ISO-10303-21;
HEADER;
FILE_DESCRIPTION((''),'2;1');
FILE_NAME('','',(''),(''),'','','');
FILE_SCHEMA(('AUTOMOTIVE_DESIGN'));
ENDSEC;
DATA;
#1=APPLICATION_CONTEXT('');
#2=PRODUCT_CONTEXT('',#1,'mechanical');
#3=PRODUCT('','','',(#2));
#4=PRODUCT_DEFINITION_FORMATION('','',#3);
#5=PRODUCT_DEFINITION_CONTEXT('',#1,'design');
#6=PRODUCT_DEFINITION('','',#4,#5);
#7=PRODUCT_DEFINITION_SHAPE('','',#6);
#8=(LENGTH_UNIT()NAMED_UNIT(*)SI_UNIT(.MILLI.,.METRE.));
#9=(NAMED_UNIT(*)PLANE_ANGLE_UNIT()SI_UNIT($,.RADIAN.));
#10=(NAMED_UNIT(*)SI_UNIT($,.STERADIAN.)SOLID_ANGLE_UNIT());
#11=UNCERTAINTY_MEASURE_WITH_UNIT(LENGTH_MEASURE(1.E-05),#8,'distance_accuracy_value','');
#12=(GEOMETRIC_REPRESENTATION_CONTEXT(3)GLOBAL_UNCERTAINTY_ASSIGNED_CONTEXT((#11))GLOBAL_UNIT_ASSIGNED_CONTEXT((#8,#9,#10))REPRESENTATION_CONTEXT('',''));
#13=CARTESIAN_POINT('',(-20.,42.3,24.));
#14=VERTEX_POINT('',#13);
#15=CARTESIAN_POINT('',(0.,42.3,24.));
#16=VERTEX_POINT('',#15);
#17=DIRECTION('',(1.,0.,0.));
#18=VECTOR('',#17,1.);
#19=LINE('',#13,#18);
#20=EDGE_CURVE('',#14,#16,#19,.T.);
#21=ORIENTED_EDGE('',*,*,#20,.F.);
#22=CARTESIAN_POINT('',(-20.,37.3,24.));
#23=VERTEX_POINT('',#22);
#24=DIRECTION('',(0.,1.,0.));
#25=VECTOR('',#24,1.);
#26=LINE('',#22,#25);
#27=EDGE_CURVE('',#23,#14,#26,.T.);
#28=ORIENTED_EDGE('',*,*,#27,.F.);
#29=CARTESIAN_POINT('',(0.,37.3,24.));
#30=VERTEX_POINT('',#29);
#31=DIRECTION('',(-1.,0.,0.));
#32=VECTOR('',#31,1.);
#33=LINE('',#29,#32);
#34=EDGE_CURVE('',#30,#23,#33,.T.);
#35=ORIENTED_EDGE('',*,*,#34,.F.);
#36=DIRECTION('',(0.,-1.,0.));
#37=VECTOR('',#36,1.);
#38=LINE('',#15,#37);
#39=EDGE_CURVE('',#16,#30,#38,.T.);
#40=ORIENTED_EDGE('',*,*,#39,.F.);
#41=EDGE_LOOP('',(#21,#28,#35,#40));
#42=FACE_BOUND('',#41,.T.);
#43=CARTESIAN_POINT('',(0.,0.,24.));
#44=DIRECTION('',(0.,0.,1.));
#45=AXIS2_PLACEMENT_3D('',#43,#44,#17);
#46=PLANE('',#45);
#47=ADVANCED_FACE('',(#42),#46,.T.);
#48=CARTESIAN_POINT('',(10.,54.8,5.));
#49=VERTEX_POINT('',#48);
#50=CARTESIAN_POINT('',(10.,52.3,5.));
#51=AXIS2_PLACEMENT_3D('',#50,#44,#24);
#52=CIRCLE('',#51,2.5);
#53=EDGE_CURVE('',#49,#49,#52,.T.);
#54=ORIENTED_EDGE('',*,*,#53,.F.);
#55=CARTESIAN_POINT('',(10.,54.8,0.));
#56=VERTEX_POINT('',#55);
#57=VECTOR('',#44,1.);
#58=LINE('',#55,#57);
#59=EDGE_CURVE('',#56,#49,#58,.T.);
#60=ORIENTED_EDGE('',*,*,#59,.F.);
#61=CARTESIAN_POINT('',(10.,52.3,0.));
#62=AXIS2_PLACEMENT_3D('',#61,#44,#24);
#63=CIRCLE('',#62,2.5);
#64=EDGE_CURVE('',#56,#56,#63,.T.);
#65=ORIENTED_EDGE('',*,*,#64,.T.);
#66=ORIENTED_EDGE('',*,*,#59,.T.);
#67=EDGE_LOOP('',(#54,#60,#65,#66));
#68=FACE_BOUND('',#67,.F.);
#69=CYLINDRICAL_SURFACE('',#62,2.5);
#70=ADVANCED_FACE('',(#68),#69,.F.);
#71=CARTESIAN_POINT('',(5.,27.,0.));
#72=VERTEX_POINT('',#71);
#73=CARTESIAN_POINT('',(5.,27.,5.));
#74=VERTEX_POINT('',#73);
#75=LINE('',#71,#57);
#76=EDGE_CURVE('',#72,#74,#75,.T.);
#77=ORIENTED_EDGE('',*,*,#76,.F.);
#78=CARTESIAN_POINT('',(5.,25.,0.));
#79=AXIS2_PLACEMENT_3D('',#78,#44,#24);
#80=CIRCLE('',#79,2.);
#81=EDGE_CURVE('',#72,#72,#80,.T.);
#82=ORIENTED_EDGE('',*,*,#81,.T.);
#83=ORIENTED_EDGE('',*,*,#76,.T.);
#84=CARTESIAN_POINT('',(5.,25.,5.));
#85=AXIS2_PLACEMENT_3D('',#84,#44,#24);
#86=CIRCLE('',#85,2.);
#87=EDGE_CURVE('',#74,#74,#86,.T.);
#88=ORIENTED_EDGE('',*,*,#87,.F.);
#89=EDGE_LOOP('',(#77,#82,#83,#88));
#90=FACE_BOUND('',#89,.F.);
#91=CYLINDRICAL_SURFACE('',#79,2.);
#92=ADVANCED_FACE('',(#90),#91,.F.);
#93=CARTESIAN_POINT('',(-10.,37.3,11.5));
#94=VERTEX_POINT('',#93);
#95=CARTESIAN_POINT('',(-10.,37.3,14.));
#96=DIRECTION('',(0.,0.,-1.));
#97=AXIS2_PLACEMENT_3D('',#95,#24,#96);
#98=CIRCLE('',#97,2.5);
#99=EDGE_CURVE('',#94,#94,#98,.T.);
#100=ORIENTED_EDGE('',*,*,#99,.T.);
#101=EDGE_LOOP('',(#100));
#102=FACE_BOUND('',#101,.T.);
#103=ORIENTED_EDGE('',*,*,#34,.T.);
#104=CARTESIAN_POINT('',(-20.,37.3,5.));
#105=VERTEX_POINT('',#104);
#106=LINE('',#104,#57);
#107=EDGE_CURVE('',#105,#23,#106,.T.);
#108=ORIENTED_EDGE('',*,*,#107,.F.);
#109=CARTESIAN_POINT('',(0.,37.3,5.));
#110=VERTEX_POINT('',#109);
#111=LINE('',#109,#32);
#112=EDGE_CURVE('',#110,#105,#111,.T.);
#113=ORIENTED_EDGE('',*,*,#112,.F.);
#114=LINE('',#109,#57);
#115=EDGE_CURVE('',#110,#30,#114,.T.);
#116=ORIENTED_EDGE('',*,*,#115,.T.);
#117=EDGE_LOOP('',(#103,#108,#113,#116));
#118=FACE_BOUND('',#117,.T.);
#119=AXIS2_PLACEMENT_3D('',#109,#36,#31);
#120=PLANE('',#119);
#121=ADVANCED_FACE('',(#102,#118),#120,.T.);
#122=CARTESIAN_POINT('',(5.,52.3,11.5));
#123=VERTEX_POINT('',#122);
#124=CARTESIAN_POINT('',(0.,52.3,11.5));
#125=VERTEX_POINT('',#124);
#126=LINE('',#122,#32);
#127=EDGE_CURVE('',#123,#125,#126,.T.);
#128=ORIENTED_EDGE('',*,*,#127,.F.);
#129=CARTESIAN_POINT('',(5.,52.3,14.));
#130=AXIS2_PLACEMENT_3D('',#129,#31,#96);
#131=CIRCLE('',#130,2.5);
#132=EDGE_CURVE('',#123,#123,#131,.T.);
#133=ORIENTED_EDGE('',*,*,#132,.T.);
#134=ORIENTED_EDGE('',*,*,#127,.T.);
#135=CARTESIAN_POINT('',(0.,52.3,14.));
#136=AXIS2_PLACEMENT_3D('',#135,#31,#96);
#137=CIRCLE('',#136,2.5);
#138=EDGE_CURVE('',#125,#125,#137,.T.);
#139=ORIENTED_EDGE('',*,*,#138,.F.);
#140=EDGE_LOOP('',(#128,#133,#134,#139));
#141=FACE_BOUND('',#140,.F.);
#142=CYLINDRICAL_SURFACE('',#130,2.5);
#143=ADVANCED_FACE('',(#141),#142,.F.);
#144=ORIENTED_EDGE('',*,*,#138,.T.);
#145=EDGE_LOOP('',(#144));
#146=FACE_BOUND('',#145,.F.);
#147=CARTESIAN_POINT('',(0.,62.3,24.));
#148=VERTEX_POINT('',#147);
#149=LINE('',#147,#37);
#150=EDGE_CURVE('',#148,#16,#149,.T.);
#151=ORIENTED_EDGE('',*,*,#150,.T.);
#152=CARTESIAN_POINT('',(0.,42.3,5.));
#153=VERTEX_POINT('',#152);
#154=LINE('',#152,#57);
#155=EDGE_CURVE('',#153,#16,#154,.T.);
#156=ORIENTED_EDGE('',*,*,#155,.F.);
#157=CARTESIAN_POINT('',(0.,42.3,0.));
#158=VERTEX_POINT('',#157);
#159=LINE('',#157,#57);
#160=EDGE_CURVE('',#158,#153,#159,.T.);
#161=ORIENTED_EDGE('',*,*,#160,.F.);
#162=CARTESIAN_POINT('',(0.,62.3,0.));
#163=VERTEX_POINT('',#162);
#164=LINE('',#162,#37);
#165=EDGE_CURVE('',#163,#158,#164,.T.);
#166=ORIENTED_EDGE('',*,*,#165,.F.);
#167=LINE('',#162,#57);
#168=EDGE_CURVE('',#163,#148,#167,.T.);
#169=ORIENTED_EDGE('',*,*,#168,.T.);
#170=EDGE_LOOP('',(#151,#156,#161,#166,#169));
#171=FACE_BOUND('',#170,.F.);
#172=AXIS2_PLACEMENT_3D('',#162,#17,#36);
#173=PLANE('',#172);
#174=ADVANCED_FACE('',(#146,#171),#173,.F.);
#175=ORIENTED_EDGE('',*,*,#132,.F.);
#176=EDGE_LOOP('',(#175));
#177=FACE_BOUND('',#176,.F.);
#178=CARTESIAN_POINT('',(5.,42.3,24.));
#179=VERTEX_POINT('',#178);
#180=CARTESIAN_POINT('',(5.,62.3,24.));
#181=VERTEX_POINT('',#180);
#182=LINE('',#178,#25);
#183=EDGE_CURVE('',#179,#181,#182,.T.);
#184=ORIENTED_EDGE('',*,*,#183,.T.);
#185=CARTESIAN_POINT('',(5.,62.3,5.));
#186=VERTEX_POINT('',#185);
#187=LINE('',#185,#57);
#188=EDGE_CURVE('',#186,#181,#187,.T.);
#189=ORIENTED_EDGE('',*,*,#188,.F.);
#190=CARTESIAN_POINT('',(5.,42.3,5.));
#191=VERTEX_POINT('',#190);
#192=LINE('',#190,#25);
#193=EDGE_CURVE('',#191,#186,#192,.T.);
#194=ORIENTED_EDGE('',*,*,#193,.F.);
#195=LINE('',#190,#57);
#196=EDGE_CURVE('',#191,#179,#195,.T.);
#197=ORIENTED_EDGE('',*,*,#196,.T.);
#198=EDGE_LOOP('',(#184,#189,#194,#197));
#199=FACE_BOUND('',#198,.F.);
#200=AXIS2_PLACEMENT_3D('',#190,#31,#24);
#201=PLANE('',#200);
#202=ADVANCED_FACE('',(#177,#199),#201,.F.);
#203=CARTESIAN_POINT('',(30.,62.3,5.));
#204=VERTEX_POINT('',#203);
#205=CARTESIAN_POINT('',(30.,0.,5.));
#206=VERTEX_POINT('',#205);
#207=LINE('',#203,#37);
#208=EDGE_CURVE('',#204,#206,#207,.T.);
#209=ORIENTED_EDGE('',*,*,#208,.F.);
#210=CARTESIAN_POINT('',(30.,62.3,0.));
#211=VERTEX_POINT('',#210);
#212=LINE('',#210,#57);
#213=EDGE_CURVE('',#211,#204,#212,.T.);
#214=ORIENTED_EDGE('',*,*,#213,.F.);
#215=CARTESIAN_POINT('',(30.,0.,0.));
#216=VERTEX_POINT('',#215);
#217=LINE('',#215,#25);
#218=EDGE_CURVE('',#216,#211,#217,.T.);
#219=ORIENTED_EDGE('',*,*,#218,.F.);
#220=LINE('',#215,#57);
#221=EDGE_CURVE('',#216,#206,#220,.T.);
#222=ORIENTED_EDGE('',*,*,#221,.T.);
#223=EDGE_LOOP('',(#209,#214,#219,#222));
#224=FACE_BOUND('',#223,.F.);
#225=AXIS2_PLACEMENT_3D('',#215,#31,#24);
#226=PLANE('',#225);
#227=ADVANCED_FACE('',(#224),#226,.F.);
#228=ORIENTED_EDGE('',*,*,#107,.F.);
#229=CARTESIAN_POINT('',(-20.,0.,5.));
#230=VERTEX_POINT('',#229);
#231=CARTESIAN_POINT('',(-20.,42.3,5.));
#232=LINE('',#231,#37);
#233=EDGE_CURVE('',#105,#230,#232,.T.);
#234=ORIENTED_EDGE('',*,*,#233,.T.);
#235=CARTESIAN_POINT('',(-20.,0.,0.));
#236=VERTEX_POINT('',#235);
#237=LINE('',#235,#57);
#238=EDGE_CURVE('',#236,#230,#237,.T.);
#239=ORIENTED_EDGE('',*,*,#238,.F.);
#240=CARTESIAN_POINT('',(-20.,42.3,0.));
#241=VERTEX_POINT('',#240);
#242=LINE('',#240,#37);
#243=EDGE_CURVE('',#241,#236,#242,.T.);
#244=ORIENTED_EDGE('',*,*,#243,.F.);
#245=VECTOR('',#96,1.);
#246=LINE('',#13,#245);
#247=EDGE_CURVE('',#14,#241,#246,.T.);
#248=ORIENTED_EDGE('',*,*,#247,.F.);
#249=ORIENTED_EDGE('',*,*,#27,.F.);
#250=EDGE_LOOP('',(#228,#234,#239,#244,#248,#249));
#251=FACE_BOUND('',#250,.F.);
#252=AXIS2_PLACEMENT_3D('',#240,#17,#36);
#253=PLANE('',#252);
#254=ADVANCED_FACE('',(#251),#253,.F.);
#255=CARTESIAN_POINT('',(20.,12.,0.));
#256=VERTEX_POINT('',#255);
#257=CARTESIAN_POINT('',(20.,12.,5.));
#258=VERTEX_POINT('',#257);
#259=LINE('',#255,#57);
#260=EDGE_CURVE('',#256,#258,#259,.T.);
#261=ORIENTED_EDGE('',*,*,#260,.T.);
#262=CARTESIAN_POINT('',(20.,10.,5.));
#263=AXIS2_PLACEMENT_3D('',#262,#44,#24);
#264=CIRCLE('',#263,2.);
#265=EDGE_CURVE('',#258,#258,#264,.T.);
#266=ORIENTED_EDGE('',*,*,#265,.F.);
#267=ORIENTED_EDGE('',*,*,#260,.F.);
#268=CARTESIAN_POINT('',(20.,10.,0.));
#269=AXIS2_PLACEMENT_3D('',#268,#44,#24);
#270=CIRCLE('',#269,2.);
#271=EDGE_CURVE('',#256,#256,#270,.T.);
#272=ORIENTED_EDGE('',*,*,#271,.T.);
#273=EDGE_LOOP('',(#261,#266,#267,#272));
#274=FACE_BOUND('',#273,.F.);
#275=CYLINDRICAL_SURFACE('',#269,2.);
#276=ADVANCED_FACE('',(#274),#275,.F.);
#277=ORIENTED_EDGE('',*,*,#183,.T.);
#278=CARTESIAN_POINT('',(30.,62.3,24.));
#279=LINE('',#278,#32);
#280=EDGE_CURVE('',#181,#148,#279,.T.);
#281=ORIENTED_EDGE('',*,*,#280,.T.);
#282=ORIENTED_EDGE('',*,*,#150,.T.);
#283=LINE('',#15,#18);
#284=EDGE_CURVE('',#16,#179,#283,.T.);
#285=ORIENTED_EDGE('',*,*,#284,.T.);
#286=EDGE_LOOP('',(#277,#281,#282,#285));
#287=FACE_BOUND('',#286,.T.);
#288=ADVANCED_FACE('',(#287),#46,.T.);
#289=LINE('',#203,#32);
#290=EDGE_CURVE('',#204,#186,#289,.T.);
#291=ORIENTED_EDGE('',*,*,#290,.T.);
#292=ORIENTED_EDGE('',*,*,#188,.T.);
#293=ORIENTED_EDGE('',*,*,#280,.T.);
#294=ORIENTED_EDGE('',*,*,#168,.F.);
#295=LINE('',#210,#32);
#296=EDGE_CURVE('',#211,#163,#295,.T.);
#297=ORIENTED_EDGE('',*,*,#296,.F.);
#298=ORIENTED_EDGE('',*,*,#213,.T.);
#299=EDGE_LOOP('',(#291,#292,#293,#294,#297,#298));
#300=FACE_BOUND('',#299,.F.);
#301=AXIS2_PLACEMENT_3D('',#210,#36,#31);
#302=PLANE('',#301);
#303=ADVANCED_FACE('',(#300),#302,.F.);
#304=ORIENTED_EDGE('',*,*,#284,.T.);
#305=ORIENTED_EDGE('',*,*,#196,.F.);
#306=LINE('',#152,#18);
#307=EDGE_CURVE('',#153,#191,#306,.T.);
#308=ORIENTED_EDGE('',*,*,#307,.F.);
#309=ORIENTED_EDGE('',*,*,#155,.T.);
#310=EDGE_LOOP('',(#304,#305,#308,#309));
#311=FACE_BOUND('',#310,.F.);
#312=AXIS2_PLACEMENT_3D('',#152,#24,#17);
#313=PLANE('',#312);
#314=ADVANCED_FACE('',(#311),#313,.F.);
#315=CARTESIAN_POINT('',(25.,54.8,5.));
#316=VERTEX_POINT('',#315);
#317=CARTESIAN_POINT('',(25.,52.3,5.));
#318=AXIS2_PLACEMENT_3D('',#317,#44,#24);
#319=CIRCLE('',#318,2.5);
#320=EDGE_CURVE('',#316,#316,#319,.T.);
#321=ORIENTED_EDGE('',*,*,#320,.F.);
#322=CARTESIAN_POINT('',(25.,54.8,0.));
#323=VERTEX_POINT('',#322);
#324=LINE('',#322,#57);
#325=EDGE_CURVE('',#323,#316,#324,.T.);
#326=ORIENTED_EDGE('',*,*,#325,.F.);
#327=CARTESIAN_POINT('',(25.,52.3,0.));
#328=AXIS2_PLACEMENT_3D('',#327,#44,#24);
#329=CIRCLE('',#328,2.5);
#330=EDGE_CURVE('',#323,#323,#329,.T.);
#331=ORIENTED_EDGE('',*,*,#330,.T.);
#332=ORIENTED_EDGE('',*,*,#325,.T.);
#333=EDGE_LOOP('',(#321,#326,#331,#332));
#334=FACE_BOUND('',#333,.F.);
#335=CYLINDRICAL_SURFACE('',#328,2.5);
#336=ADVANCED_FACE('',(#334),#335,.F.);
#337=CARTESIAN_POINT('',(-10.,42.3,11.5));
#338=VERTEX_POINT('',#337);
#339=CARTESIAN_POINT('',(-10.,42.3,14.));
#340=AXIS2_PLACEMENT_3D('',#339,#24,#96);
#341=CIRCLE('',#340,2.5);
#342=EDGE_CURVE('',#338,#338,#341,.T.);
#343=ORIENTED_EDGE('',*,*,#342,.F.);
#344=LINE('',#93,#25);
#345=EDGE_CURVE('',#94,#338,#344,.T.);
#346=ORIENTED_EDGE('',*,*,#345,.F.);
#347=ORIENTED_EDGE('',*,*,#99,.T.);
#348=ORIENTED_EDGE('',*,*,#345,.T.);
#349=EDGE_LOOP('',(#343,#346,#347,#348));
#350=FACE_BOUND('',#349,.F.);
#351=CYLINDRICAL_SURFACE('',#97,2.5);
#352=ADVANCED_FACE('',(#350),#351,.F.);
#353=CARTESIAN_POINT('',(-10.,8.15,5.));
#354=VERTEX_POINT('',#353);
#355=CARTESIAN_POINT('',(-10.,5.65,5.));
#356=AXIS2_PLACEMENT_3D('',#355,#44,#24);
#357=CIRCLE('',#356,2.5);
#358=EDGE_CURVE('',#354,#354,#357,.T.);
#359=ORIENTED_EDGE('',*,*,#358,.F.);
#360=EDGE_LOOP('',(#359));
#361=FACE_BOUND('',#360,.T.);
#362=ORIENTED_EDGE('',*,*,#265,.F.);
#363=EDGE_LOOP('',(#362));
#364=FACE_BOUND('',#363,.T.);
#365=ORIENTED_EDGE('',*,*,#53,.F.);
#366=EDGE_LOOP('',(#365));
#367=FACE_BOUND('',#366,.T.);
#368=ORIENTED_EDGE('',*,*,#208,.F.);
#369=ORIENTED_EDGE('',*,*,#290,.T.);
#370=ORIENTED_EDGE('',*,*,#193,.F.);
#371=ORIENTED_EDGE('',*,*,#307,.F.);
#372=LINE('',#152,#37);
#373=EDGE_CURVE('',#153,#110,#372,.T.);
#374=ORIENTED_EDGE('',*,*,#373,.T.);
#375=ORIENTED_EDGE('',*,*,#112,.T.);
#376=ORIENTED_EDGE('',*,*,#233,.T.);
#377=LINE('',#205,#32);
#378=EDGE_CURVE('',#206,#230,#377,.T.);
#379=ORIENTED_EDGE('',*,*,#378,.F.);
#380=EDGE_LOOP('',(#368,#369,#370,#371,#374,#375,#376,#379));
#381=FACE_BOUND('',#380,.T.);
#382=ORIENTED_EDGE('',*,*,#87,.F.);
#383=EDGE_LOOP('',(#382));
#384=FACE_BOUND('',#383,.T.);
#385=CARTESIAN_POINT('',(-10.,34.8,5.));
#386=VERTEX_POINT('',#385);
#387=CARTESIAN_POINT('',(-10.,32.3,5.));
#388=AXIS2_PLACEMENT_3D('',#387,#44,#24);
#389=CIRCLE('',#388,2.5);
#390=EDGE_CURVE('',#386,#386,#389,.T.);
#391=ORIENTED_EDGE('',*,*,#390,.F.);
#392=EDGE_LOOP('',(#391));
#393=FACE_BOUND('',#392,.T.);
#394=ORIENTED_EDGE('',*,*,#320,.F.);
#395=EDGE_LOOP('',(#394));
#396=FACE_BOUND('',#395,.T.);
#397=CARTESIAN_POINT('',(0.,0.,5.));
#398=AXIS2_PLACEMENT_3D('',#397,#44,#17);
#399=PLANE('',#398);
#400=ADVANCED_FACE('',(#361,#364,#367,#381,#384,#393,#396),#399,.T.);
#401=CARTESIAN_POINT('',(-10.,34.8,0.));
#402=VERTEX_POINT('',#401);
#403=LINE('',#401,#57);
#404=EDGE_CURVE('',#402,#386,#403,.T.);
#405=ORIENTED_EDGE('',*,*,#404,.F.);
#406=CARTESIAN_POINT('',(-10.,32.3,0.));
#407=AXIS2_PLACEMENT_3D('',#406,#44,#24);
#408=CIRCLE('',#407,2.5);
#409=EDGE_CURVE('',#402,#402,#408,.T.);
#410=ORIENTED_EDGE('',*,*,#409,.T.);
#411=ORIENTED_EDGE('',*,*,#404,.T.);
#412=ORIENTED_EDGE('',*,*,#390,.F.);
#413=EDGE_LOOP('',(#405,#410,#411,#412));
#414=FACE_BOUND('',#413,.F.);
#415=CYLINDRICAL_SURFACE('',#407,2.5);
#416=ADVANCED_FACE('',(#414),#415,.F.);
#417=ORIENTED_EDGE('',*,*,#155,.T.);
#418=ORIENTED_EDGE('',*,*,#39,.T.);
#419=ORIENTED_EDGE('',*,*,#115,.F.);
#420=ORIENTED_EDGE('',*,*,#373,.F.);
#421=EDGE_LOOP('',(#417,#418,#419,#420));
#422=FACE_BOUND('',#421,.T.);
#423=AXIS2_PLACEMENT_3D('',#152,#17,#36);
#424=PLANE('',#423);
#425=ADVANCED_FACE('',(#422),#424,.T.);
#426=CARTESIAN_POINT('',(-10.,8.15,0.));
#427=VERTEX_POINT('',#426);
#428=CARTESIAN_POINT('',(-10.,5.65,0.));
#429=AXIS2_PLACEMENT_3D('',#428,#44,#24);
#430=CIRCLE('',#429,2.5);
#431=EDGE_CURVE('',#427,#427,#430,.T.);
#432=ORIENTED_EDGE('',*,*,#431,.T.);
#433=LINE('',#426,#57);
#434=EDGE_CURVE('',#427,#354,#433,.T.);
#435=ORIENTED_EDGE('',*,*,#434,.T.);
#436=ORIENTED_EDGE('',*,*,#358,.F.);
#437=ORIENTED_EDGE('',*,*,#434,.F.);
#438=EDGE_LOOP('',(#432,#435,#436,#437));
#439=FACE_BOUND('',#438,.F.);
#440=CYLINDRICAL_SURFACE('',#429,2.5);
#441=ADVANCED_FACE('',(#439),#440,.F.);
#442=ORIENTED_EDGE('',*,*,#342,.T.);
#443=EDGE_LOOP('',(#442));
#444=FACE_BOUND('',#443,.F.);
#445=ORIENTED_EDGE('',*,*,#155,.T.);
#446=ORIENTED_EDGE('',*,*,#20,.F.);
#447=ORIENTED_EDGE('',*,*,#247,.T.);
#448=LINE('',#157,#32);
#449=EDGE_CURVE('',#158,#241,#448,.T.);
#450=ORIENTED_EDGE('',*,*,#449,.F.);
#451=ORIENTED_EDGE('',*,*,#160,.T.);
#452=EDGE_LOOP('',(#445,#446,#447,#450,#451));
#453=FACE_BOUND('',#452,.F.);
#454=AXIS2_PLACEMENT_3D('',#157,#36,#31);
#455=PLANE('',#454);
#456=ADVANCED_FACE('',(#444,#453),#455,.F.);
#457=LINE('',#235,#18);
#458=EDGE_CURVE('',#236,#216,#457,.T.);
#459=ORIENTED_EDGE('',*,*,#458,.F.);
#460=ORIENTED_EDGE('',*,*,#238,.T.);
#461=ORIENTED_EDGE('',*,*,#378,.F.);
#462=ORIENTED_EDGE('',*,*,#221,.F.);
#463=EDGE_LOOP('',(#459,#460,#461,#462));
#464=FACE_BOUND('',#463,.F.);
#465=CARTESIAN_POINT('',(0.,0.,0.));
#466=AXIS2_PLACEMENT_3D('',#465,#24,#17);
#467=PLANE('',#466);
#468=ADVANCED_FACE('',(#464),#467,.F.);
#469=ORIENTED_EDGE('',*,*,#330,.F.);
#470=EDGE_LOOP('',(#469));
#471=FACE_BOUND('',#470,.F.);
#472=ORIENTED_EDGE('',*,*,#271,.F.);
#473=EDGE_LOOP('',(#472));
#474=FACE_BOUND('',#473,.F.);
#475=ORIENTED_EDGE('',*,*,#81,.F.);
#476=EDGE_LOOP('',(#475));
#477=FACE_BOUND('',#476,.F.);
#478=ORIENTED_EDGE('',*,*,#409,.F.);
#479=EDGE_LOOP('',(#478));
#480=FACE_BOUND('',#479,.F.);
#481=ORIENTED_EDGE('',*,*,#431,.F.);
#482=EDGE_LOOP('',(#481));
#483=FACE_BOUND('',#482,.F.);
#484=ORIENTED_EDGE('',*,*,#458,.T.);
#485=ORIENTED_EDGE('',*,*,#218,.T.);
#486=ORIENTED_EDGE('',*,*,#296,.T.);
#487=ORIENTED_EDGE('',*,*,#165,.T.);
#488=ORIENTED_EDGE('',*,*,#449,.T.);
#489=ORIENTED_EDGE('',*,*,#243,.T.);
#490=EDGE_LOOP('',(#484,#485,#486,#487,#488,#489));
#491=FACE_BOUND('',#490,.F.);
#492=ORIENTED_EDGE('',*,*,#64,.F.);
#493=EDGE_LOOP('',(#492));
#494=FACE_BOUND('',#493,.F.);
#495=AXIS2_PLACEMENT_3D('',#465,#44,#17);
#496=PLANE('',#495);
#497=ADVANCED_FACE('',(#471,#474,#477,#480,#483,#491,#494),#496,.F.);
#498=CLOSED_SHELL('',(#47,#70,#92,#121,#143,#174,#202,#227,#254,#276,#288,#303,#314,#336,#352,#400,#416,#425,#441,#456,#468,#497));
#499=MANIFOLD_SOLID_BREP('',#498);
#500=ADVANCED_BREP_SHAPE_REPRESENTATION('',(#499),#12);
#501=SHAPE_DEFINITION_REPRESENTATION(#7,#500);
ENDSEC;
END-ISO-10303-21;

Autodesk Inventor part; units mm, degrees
ref_plane "YZ Plane" through (0, 0, 0) normal (1, 0, 0) x (0, 1, 0)
ref_plane "XZ Plane" through (0, 0, 0) normal (0, 1, 0) x (-1, 0, 0)
ref_plane "XY Plane" through (0, 0, 0) normal (0, 0, 1) x (1, 0, 0)
sketch "Sketch1" plane through (0, 0, 0) normal (0, 0, 1) x (1, 0, 0)
  line L0 (0, 0) -> (30, 0)
  line L1 (30, 0) -> (30, 42.3)
  line L2 (30, 42.3) -> (0, 42.3)
  line L3 (0, 42.3) -> (0, 0)
  line L4 (0, 0.3) -> (0, 42.3)
  line L5 (0, 42.3) -> (42.3, 42.3)
  line L6 (0, 42.3) -> (30, 42.3)
  line L7 (30, 42.3) -> (30, 62.3)
  line L8 (30, 62.3) -> (0, 62.3)
  line L9 (0, 62.3) -> (0, 42.3)
  line L10 (0, 42.3) -> (-20, 42.3)
  line L11 (-20, 42.3) -> (-20, 0)
  line L12 (-20, 0) -> (0, 0)
  line L13 (0, 0) -> (0, 42.3)
  point P0 (10, 52.3)
  point P1 (25, 52.3)
  point P2 (-10, 32.3)
  point P3 (-10, 5.65)
  dimension "d0" = 30
  dimension "d16" = 42.3
  dimension "d21" = 20
  dimension "d22" = 20
  dimension "d49" = 30
  dimension "d50" = 5
  dimension "d69" = 10
  dimension "d70" = 10
  dimension "d71" = 10
extrude "Extrusion2" add sketch "Sketch1" along normal blind 5
hole "Hole3" at (25, 52.3, 0) at (10, 52.3, 0) at (-10, 32.3, 0) at (-10, 5.65, 0) direction (0, 0, 1) diameter 5 depth 8 tip angle 118
sketch "Sketch2" plane through (0, 0, 0) normal (0, 0, -1) x (-1, 0, 0)
  line L0 (20, 0) -> (-30, 0) projected
  line L1 (-30, 0) -> (-30, 62.3) projected
  point P0 (0, 0)
  point P1 (-20, 10)
  dimension "d51" = 10
  dimension "d52" = 10
hole "Hole4" at (20, 10, 0) direction (0, 0, 1) diameter 4 depth 8 tip angle 118
sketch "Sketch3" plane through (0, 0, 0) normal (0, 0, -1) x (-1, 0, 0)
  line L0 (-30, 0) -> (-30, 62.3) projected
  line L1 (20, 0) -> (-30, 0) projected
  point P0 (0, 0)
  point P1 (-5, 25)
  dimension "d60" = 25
  dimension "d61" = 25
hole "Hole5" at (5, 25, 0) direction (0, 0, 1) diameter 4 depth 8 tip angle 118
sketch "Sketch4" plane through (0, 0, 5) normal (0, 0, 1) x (1, 0, 0)
  line L0 (-20, 42.3) -> (0, 42.3)
  line L1 (0, 42.3) -> (0, 37.3)
  line L2 (0, 37.3) -> (-20, 37.3)
  line L3 (-20, 37.3) -> (-20, 42.3)
  line L4 (30, 62.3) -> (0, 62.3) projected
  line L5 (0, 42.3) -> (5, 42.3)
  line L6 (5, 42.3) -> (5, 62.3)
  line L7 (5, 62.3) -> (0, 62.3)
  line L8 (0, 62.3) -> (0, 42.3)
  point P0 (0, 0)
  dimension "d72" = 5
  dimension "d73" = 5
extrude "Extrusion3" add sketch "Sketch4" along normal blind 19
sketch "Sketch5" plane through (-20, 37.3, 5) normal (0, -1, 0) x (1, 0, 0)
  line L0 (20, 19) -> (0, 19) projected
  line L1 (0, -5) -> (0, 19) projected
  point P0 (20, -5)
  point P1 (10, 9)
  dimension "d76" = 10
  dimension "d77" = 10
hole "Hole6" at (-10, 37.3, 14) direction (0, 1, 0) diameter 5 depth 8 tip angle 118
sketch "Sketch6" plane through (5, 42.3, 5) normal (1, 0, 0) x (0, 0, -1)
  line L0 (-19, 20) -> (-19, 0) projected
  line L1 (5, 20) -> (-19, 20) projected
  point P0 (5, -42.3)
  point P1 (-9, 10)
  dimension "d85" = 10
  dimension "d86" = 10
hole "Hole7" at (5, 52.3, 14) direction (-1, 0, 0) diameter 5 depth 8 tip angle 118
properties part number "Corner Mount"
